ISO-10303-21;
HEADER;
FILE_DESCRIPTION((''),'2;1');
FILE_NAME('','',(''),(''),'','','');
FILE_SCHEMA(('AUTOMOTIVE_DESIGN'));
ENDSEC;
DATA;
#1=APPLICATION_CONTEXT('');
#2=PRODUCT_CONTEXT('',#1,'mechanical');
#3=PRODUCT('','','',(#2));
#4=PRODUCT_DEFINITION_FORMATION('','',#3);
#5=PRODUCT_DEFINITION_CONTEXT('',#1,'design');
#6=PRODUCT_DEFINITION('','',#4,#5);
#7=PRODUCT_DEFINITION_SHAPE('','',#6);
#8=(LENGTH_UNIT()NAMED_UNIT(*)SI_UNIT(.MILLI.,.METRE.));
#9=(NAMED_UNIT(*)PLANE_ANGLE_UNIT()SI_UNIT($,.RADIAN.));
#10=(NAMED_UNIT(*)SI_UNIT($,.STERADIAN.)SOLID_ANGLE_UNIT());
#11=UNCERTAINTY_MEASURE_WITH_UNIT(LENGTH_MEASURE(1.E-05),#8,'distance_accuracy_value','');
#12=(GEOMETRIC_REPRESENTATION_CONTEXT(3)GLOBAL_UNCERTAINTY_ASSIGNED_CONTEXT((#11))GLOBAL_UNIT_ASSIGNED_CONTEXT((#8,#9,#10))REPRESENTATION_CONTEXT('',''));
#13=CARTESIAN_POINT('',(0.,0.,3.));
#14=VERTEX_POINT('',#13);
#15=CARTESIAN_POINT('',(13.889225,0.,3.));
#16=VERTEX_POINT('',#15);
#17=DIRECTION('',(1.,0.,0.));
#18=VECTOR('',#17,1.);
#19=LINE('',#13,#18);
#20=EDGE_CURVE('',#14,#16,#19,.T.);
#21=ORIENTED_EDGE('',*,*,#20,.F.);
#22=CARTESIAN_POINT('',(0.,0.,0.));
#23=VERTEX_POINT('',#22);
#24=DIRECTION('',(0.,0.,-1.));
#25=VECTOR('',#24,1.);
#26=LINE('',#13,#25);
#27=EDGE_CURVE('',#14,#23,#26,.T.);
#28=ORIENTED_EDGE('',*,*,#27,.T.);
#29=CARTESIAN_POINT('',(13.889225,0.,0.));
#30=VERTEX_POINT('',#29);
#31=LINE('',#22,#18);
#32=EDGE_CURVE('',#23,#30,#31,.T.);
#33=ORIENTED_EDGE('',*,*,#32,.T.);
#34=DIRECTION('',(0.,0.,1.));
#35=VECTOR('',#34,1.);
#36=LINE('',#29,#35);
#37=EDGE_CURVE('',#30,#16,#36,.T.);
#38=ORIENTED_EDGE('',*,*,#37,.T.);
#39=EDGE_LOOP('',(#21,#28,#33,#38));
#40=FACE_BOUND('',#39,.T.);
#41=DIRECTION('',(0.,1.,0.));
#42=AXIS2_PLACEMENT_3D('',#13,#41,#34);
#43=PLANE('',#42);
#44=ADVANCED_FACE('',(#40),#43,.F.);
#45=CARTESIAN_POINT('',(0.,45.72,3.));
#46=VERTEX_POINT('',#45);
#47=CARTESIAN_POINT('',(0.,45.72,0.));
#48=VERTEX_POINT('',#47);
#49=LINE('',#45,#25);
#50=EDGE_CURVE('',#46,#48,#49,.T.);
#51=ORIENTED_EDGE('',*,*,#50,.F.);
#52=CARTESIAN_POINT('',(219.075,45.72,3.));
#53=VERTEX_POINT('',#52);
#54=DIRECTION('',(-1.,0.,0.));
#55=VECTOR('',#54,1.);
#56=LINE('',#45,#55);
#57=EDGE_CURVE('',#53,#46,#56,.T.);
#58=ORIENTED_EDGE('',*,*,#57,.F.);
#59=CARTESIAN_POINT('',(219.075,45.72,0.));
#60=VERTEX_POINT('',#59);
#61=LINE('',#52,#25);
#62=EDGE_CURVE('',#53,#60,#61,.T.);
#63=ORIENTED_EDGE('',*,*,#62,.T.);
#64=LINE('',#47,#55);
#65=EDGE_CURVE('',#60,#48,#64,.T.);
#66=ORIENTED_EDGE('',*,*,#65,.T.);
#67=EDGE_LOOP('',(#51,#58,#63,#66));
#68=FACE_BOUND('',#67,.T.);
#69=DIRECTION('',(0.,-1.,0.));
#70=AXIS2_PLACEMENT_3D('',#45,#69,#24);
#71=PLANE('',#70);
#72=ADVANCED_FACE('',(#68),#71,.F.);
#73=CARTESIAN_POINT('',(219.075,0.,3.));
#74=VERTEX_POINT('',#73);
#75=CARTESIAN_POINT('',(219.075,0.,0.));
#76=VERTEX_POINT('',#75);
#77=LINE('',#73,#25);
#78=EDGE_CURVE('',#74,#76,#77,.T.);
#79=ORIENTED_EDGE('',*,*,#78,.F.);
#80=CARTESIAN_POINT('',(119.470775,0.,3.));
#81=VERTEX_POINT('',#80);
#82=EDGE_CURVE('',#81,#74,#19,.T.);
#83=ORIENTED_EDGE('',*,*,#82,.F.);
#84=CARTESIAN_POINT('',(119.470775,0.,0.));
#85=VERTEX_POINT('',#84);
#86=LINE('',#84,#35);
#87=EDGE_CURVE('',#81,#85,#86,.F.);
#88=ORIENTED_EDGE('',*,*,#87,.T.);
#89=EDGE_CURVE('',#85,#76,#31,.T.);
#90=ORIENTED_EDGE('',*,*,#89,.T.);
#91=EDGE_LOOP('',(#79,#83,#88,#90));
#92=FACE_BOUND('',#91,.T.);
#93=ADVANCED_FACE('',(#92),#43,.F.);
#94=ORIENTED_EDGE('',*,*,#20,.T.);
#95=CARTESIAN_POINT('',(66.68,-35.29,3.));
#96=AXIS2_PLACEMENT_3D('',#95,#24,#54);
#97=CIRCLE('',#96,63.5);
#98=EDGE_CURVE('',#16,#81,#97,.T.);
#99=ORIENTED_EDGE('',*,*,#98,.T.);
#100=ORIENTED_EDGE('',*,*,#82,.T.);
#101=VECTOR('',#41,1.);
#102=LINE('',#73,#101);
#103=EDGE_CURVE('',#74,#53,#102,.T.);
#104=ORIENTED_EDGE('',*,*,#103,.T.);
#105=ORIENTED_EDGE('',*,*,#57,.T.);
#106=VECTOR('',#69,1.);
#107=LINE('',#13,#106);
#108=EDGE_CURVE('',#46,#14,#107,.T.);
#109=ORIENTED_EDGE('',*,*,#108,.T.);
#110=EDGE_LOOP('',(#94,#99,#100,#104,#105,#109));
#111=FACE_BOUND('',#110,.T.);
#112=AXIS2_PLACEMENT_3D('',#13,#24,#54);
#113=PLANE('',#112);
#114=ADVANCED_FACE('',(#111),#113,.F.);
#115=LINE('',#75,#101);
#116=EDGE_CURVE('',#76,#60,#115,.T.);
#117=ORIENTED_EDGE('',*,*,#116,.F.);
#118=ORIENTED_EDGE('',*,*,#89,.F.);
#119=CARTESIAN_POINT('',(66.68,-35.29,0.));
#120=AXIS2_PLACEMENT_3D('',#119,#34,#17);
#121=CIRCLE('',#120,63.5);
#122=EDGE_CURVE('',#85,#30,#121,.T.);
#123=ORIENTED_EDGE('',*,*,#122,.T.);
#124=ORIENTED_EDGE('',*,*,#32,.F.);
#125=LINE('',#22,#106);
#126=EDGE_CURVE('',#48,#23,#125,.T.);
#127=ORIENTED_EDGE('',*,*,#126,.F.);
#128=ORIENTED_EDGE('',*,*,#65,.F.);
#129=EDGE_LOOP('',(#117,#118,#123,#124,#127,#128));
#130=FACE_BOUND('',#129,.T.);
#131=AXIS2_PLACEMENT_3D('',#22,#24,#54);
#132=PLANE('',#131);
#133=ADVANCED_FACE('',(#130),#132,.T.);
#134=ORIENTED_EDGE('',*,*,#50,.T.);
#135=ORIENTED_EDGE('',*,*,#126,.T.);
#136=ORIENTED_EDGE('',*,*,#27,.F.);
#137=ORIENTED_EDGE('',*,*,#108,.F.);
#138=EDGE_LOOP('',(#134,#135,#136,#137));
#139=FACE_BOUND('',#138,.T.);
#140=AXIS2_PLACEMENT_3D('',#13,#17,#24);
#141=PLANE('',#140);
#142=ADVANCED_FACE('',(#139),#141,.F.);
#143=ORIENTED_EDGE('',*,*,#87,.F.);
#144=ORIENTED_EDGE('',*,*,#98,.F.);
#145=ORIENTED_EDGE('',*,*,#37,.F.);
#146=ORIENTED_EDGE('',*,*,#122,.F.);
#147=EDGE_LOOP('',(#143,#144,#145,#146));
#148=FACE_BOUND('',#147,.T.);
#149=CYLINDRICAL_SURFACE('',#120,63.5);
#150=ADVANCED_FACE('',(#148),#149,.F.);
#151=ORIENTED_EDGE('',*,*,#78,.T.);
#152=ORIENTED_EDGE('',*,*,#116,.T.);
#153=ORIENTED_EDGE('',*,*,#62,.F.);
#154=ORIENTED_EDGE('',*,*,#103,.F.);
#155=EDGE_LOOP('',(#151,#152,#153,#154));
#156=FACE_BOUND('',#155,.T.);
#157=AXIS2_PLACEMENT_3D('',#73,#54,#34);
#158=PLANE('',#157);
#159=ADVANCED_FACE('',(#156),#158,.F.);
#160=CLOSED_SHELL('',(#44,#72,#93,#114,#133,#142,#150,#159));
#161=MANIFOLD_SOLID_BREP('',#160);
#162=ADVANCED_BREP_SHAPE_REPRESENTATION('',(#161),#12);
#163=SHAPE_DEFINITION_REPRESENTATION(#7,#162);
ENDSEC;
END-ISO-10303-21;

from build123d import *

# Parameters (mm, degrees)
SKETCH1_W               = 219.075
SKETCH1_H               = 45.72
BOSS_EXTRUDE1_DEPTH     = 3
CUT_EXTRUDE1_DEPTH      = 224.815044233
CUT_EXTRUDE1_DEPTH_BACK = 224.815044233
SKETCH2_R               = 63.5


with BuildPart() as part:
    # Sketch1 → Boss-Extrude1 (new body)
    with BuildSketch(Plane.XY):
        with Locations((109.5375, 22.86)):
            Rectangle(SKETCH1_W, SKETCH1_H)
    extrude(amount=BOSS_EXTRUDE1_DEPTH)

    # Sketch2 → Cut-Extrude1 (cut, two sides: drawn at the far end of the back side and taken through both)
    with BuildSketch(Plane.XY.offset(3).offset(-CUT_EXTRUDE1_DEPTH_BACK)):
        with Locations((66.68, -35.29)):
            Circle(SKETCH2_R)
    extrude(amount=CUT_EXTRUDE1_DEPTH + CUT_EXTRUDE1_DEPTH_BACK, mode=Mode.SUBTRACT)


solid = part.part
